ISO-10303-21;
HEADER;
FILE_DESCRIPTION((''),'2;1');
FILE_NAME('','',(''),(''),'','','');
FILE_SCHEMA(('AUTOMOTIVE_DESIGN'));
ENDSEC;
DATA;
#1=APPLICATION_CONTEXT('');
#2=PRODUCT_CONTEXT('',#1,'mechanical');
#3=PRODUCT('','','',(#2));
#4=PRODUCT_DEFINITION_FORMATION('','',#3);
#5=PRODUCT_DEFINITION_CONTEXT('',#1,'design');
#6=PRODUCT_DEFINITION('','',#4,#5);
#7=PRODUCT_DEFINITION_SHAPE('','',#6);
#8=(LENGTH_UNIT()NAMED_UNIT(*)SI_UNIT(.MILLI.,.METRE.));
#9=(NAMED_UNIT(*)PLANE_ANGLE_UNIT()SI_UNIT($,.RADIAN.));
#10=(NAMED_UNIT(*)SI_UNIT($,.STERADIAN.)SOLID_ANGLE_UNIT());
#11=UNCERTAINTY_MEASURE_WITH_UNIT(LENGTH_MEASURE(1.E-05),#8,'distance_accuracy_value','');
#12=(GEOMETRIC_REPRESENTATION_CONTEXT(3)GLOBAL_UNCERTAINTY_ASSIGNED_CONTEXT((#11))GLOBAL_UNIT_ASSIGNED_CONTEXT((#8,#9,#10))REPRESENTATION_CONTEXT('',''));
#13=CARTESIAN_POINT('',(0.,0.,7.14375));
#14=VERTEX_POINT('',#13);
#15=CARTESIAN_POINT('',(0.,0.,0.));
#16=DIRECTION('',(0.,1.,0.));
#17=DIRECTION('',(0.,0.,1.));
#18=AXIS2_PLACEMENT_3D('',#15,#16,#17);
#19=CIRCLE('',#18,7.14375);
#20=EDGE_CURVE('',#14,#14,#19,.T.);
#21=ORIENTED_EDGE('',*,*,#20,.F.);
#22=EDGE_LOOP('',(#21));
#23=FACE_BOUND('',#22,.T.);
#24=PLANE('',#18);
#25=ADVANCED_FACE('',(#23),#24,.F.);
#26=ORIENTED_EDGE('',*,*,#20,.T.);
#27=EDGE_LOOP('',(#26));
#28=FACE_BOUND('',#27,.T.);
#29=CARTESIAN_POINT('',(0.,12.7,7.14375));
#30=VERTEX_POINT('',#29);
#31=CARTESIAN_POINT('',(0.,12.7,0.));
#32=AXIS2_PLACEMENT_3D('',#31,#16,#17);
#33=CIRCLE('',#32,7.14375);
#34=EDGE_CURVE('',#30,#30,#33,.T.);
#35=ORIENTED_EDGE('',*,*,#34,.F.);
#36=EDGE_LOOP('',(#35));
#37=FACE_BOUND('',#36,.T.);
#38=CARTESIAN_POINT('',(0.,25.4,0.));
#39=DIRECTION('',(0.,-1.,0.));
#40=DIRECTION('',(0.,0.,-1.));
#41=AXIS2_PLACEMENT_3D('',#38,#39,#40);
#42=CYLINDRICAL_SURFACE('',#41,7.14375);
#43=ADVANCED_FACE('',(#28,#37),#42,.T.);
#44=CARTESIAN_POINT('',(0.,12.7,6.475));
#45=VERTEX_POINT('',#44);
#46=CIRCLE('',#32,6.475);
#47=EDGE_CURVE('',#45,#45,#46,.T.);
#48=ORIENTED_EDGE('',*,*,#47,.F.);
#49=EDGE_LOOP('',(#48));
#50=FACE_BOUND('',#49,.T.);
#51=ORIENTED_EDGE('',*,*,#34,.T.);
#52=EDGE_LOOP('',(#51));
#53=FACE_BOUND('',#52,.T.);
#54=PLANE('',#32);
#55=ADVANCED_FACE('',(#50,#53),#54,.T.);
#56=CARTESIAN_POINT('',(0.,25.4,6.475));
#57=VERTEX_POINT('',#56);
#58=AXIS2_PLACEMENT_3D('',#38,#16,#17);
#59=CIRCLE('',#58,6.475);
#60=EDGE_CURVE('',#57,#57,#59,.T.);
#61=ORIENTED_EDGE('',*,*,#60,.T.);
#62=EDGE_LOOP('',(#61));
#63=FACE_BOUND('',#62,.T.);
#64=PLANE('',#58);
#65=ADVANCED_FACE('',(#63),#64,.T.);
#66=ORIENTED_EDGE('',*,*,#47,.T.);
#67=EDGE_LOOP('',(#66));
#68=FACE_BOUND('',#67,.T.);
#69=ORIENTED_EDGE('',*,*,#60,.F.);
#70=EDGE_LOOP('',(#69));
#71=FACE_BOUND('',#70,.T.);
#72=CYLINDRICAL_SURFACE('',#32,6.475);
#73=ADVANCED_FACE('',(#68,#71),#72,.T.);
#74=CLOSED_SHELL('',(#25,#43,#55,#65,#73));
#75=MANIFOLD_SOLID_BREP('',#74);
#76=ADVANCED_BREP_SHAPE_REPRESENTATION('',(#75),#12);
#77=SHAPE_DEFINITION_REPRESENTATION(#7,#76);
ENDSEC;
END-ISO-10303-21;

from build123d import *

# Parameters (mm, degrees)
SKETCH1_R           = 7.14375
BOSS_EXTRUDE1_DEPTH = 25.4
SKETCH2_R           = 7.836157222
SKETCH2_R_2         = 6.475
CUT_EXTRUDE1_DEPTH  = 12.7


with BuildPart() as part:
    # Sketch1 → Boss-Extrude1 (new body)
    with BuildSketch(Plane(origin=(0, 0, 0), x_dir=(1, 0, 0), z_dir=(0, 1, 0))):
        with Locations(Location((0, 0, 0), (0, 0, 270))):
            Circle(SKETCH1_R)
    extrude(amount=BOSS_EXTRUDE1_DEPTH)

    # Sketch2 → Cut-Extrude1 (cut)
    with BuildSketch(Plane(origin=(0, 25.4, 0), x_dir=(1, 0, 0), z_dir=(0, 1, 0))):
        Circle(SKETCH2_R)
        with Locations(Location((0, 0, 0), (0, 0, 270))):
            Circle(SKETCH2_R_2, mode=Mode.SUBTRACT)
    extrude(amount=-CUT_EXTRUDE1_DEPTH, mode=Mode.SUBTRACT)


solid = part.part
